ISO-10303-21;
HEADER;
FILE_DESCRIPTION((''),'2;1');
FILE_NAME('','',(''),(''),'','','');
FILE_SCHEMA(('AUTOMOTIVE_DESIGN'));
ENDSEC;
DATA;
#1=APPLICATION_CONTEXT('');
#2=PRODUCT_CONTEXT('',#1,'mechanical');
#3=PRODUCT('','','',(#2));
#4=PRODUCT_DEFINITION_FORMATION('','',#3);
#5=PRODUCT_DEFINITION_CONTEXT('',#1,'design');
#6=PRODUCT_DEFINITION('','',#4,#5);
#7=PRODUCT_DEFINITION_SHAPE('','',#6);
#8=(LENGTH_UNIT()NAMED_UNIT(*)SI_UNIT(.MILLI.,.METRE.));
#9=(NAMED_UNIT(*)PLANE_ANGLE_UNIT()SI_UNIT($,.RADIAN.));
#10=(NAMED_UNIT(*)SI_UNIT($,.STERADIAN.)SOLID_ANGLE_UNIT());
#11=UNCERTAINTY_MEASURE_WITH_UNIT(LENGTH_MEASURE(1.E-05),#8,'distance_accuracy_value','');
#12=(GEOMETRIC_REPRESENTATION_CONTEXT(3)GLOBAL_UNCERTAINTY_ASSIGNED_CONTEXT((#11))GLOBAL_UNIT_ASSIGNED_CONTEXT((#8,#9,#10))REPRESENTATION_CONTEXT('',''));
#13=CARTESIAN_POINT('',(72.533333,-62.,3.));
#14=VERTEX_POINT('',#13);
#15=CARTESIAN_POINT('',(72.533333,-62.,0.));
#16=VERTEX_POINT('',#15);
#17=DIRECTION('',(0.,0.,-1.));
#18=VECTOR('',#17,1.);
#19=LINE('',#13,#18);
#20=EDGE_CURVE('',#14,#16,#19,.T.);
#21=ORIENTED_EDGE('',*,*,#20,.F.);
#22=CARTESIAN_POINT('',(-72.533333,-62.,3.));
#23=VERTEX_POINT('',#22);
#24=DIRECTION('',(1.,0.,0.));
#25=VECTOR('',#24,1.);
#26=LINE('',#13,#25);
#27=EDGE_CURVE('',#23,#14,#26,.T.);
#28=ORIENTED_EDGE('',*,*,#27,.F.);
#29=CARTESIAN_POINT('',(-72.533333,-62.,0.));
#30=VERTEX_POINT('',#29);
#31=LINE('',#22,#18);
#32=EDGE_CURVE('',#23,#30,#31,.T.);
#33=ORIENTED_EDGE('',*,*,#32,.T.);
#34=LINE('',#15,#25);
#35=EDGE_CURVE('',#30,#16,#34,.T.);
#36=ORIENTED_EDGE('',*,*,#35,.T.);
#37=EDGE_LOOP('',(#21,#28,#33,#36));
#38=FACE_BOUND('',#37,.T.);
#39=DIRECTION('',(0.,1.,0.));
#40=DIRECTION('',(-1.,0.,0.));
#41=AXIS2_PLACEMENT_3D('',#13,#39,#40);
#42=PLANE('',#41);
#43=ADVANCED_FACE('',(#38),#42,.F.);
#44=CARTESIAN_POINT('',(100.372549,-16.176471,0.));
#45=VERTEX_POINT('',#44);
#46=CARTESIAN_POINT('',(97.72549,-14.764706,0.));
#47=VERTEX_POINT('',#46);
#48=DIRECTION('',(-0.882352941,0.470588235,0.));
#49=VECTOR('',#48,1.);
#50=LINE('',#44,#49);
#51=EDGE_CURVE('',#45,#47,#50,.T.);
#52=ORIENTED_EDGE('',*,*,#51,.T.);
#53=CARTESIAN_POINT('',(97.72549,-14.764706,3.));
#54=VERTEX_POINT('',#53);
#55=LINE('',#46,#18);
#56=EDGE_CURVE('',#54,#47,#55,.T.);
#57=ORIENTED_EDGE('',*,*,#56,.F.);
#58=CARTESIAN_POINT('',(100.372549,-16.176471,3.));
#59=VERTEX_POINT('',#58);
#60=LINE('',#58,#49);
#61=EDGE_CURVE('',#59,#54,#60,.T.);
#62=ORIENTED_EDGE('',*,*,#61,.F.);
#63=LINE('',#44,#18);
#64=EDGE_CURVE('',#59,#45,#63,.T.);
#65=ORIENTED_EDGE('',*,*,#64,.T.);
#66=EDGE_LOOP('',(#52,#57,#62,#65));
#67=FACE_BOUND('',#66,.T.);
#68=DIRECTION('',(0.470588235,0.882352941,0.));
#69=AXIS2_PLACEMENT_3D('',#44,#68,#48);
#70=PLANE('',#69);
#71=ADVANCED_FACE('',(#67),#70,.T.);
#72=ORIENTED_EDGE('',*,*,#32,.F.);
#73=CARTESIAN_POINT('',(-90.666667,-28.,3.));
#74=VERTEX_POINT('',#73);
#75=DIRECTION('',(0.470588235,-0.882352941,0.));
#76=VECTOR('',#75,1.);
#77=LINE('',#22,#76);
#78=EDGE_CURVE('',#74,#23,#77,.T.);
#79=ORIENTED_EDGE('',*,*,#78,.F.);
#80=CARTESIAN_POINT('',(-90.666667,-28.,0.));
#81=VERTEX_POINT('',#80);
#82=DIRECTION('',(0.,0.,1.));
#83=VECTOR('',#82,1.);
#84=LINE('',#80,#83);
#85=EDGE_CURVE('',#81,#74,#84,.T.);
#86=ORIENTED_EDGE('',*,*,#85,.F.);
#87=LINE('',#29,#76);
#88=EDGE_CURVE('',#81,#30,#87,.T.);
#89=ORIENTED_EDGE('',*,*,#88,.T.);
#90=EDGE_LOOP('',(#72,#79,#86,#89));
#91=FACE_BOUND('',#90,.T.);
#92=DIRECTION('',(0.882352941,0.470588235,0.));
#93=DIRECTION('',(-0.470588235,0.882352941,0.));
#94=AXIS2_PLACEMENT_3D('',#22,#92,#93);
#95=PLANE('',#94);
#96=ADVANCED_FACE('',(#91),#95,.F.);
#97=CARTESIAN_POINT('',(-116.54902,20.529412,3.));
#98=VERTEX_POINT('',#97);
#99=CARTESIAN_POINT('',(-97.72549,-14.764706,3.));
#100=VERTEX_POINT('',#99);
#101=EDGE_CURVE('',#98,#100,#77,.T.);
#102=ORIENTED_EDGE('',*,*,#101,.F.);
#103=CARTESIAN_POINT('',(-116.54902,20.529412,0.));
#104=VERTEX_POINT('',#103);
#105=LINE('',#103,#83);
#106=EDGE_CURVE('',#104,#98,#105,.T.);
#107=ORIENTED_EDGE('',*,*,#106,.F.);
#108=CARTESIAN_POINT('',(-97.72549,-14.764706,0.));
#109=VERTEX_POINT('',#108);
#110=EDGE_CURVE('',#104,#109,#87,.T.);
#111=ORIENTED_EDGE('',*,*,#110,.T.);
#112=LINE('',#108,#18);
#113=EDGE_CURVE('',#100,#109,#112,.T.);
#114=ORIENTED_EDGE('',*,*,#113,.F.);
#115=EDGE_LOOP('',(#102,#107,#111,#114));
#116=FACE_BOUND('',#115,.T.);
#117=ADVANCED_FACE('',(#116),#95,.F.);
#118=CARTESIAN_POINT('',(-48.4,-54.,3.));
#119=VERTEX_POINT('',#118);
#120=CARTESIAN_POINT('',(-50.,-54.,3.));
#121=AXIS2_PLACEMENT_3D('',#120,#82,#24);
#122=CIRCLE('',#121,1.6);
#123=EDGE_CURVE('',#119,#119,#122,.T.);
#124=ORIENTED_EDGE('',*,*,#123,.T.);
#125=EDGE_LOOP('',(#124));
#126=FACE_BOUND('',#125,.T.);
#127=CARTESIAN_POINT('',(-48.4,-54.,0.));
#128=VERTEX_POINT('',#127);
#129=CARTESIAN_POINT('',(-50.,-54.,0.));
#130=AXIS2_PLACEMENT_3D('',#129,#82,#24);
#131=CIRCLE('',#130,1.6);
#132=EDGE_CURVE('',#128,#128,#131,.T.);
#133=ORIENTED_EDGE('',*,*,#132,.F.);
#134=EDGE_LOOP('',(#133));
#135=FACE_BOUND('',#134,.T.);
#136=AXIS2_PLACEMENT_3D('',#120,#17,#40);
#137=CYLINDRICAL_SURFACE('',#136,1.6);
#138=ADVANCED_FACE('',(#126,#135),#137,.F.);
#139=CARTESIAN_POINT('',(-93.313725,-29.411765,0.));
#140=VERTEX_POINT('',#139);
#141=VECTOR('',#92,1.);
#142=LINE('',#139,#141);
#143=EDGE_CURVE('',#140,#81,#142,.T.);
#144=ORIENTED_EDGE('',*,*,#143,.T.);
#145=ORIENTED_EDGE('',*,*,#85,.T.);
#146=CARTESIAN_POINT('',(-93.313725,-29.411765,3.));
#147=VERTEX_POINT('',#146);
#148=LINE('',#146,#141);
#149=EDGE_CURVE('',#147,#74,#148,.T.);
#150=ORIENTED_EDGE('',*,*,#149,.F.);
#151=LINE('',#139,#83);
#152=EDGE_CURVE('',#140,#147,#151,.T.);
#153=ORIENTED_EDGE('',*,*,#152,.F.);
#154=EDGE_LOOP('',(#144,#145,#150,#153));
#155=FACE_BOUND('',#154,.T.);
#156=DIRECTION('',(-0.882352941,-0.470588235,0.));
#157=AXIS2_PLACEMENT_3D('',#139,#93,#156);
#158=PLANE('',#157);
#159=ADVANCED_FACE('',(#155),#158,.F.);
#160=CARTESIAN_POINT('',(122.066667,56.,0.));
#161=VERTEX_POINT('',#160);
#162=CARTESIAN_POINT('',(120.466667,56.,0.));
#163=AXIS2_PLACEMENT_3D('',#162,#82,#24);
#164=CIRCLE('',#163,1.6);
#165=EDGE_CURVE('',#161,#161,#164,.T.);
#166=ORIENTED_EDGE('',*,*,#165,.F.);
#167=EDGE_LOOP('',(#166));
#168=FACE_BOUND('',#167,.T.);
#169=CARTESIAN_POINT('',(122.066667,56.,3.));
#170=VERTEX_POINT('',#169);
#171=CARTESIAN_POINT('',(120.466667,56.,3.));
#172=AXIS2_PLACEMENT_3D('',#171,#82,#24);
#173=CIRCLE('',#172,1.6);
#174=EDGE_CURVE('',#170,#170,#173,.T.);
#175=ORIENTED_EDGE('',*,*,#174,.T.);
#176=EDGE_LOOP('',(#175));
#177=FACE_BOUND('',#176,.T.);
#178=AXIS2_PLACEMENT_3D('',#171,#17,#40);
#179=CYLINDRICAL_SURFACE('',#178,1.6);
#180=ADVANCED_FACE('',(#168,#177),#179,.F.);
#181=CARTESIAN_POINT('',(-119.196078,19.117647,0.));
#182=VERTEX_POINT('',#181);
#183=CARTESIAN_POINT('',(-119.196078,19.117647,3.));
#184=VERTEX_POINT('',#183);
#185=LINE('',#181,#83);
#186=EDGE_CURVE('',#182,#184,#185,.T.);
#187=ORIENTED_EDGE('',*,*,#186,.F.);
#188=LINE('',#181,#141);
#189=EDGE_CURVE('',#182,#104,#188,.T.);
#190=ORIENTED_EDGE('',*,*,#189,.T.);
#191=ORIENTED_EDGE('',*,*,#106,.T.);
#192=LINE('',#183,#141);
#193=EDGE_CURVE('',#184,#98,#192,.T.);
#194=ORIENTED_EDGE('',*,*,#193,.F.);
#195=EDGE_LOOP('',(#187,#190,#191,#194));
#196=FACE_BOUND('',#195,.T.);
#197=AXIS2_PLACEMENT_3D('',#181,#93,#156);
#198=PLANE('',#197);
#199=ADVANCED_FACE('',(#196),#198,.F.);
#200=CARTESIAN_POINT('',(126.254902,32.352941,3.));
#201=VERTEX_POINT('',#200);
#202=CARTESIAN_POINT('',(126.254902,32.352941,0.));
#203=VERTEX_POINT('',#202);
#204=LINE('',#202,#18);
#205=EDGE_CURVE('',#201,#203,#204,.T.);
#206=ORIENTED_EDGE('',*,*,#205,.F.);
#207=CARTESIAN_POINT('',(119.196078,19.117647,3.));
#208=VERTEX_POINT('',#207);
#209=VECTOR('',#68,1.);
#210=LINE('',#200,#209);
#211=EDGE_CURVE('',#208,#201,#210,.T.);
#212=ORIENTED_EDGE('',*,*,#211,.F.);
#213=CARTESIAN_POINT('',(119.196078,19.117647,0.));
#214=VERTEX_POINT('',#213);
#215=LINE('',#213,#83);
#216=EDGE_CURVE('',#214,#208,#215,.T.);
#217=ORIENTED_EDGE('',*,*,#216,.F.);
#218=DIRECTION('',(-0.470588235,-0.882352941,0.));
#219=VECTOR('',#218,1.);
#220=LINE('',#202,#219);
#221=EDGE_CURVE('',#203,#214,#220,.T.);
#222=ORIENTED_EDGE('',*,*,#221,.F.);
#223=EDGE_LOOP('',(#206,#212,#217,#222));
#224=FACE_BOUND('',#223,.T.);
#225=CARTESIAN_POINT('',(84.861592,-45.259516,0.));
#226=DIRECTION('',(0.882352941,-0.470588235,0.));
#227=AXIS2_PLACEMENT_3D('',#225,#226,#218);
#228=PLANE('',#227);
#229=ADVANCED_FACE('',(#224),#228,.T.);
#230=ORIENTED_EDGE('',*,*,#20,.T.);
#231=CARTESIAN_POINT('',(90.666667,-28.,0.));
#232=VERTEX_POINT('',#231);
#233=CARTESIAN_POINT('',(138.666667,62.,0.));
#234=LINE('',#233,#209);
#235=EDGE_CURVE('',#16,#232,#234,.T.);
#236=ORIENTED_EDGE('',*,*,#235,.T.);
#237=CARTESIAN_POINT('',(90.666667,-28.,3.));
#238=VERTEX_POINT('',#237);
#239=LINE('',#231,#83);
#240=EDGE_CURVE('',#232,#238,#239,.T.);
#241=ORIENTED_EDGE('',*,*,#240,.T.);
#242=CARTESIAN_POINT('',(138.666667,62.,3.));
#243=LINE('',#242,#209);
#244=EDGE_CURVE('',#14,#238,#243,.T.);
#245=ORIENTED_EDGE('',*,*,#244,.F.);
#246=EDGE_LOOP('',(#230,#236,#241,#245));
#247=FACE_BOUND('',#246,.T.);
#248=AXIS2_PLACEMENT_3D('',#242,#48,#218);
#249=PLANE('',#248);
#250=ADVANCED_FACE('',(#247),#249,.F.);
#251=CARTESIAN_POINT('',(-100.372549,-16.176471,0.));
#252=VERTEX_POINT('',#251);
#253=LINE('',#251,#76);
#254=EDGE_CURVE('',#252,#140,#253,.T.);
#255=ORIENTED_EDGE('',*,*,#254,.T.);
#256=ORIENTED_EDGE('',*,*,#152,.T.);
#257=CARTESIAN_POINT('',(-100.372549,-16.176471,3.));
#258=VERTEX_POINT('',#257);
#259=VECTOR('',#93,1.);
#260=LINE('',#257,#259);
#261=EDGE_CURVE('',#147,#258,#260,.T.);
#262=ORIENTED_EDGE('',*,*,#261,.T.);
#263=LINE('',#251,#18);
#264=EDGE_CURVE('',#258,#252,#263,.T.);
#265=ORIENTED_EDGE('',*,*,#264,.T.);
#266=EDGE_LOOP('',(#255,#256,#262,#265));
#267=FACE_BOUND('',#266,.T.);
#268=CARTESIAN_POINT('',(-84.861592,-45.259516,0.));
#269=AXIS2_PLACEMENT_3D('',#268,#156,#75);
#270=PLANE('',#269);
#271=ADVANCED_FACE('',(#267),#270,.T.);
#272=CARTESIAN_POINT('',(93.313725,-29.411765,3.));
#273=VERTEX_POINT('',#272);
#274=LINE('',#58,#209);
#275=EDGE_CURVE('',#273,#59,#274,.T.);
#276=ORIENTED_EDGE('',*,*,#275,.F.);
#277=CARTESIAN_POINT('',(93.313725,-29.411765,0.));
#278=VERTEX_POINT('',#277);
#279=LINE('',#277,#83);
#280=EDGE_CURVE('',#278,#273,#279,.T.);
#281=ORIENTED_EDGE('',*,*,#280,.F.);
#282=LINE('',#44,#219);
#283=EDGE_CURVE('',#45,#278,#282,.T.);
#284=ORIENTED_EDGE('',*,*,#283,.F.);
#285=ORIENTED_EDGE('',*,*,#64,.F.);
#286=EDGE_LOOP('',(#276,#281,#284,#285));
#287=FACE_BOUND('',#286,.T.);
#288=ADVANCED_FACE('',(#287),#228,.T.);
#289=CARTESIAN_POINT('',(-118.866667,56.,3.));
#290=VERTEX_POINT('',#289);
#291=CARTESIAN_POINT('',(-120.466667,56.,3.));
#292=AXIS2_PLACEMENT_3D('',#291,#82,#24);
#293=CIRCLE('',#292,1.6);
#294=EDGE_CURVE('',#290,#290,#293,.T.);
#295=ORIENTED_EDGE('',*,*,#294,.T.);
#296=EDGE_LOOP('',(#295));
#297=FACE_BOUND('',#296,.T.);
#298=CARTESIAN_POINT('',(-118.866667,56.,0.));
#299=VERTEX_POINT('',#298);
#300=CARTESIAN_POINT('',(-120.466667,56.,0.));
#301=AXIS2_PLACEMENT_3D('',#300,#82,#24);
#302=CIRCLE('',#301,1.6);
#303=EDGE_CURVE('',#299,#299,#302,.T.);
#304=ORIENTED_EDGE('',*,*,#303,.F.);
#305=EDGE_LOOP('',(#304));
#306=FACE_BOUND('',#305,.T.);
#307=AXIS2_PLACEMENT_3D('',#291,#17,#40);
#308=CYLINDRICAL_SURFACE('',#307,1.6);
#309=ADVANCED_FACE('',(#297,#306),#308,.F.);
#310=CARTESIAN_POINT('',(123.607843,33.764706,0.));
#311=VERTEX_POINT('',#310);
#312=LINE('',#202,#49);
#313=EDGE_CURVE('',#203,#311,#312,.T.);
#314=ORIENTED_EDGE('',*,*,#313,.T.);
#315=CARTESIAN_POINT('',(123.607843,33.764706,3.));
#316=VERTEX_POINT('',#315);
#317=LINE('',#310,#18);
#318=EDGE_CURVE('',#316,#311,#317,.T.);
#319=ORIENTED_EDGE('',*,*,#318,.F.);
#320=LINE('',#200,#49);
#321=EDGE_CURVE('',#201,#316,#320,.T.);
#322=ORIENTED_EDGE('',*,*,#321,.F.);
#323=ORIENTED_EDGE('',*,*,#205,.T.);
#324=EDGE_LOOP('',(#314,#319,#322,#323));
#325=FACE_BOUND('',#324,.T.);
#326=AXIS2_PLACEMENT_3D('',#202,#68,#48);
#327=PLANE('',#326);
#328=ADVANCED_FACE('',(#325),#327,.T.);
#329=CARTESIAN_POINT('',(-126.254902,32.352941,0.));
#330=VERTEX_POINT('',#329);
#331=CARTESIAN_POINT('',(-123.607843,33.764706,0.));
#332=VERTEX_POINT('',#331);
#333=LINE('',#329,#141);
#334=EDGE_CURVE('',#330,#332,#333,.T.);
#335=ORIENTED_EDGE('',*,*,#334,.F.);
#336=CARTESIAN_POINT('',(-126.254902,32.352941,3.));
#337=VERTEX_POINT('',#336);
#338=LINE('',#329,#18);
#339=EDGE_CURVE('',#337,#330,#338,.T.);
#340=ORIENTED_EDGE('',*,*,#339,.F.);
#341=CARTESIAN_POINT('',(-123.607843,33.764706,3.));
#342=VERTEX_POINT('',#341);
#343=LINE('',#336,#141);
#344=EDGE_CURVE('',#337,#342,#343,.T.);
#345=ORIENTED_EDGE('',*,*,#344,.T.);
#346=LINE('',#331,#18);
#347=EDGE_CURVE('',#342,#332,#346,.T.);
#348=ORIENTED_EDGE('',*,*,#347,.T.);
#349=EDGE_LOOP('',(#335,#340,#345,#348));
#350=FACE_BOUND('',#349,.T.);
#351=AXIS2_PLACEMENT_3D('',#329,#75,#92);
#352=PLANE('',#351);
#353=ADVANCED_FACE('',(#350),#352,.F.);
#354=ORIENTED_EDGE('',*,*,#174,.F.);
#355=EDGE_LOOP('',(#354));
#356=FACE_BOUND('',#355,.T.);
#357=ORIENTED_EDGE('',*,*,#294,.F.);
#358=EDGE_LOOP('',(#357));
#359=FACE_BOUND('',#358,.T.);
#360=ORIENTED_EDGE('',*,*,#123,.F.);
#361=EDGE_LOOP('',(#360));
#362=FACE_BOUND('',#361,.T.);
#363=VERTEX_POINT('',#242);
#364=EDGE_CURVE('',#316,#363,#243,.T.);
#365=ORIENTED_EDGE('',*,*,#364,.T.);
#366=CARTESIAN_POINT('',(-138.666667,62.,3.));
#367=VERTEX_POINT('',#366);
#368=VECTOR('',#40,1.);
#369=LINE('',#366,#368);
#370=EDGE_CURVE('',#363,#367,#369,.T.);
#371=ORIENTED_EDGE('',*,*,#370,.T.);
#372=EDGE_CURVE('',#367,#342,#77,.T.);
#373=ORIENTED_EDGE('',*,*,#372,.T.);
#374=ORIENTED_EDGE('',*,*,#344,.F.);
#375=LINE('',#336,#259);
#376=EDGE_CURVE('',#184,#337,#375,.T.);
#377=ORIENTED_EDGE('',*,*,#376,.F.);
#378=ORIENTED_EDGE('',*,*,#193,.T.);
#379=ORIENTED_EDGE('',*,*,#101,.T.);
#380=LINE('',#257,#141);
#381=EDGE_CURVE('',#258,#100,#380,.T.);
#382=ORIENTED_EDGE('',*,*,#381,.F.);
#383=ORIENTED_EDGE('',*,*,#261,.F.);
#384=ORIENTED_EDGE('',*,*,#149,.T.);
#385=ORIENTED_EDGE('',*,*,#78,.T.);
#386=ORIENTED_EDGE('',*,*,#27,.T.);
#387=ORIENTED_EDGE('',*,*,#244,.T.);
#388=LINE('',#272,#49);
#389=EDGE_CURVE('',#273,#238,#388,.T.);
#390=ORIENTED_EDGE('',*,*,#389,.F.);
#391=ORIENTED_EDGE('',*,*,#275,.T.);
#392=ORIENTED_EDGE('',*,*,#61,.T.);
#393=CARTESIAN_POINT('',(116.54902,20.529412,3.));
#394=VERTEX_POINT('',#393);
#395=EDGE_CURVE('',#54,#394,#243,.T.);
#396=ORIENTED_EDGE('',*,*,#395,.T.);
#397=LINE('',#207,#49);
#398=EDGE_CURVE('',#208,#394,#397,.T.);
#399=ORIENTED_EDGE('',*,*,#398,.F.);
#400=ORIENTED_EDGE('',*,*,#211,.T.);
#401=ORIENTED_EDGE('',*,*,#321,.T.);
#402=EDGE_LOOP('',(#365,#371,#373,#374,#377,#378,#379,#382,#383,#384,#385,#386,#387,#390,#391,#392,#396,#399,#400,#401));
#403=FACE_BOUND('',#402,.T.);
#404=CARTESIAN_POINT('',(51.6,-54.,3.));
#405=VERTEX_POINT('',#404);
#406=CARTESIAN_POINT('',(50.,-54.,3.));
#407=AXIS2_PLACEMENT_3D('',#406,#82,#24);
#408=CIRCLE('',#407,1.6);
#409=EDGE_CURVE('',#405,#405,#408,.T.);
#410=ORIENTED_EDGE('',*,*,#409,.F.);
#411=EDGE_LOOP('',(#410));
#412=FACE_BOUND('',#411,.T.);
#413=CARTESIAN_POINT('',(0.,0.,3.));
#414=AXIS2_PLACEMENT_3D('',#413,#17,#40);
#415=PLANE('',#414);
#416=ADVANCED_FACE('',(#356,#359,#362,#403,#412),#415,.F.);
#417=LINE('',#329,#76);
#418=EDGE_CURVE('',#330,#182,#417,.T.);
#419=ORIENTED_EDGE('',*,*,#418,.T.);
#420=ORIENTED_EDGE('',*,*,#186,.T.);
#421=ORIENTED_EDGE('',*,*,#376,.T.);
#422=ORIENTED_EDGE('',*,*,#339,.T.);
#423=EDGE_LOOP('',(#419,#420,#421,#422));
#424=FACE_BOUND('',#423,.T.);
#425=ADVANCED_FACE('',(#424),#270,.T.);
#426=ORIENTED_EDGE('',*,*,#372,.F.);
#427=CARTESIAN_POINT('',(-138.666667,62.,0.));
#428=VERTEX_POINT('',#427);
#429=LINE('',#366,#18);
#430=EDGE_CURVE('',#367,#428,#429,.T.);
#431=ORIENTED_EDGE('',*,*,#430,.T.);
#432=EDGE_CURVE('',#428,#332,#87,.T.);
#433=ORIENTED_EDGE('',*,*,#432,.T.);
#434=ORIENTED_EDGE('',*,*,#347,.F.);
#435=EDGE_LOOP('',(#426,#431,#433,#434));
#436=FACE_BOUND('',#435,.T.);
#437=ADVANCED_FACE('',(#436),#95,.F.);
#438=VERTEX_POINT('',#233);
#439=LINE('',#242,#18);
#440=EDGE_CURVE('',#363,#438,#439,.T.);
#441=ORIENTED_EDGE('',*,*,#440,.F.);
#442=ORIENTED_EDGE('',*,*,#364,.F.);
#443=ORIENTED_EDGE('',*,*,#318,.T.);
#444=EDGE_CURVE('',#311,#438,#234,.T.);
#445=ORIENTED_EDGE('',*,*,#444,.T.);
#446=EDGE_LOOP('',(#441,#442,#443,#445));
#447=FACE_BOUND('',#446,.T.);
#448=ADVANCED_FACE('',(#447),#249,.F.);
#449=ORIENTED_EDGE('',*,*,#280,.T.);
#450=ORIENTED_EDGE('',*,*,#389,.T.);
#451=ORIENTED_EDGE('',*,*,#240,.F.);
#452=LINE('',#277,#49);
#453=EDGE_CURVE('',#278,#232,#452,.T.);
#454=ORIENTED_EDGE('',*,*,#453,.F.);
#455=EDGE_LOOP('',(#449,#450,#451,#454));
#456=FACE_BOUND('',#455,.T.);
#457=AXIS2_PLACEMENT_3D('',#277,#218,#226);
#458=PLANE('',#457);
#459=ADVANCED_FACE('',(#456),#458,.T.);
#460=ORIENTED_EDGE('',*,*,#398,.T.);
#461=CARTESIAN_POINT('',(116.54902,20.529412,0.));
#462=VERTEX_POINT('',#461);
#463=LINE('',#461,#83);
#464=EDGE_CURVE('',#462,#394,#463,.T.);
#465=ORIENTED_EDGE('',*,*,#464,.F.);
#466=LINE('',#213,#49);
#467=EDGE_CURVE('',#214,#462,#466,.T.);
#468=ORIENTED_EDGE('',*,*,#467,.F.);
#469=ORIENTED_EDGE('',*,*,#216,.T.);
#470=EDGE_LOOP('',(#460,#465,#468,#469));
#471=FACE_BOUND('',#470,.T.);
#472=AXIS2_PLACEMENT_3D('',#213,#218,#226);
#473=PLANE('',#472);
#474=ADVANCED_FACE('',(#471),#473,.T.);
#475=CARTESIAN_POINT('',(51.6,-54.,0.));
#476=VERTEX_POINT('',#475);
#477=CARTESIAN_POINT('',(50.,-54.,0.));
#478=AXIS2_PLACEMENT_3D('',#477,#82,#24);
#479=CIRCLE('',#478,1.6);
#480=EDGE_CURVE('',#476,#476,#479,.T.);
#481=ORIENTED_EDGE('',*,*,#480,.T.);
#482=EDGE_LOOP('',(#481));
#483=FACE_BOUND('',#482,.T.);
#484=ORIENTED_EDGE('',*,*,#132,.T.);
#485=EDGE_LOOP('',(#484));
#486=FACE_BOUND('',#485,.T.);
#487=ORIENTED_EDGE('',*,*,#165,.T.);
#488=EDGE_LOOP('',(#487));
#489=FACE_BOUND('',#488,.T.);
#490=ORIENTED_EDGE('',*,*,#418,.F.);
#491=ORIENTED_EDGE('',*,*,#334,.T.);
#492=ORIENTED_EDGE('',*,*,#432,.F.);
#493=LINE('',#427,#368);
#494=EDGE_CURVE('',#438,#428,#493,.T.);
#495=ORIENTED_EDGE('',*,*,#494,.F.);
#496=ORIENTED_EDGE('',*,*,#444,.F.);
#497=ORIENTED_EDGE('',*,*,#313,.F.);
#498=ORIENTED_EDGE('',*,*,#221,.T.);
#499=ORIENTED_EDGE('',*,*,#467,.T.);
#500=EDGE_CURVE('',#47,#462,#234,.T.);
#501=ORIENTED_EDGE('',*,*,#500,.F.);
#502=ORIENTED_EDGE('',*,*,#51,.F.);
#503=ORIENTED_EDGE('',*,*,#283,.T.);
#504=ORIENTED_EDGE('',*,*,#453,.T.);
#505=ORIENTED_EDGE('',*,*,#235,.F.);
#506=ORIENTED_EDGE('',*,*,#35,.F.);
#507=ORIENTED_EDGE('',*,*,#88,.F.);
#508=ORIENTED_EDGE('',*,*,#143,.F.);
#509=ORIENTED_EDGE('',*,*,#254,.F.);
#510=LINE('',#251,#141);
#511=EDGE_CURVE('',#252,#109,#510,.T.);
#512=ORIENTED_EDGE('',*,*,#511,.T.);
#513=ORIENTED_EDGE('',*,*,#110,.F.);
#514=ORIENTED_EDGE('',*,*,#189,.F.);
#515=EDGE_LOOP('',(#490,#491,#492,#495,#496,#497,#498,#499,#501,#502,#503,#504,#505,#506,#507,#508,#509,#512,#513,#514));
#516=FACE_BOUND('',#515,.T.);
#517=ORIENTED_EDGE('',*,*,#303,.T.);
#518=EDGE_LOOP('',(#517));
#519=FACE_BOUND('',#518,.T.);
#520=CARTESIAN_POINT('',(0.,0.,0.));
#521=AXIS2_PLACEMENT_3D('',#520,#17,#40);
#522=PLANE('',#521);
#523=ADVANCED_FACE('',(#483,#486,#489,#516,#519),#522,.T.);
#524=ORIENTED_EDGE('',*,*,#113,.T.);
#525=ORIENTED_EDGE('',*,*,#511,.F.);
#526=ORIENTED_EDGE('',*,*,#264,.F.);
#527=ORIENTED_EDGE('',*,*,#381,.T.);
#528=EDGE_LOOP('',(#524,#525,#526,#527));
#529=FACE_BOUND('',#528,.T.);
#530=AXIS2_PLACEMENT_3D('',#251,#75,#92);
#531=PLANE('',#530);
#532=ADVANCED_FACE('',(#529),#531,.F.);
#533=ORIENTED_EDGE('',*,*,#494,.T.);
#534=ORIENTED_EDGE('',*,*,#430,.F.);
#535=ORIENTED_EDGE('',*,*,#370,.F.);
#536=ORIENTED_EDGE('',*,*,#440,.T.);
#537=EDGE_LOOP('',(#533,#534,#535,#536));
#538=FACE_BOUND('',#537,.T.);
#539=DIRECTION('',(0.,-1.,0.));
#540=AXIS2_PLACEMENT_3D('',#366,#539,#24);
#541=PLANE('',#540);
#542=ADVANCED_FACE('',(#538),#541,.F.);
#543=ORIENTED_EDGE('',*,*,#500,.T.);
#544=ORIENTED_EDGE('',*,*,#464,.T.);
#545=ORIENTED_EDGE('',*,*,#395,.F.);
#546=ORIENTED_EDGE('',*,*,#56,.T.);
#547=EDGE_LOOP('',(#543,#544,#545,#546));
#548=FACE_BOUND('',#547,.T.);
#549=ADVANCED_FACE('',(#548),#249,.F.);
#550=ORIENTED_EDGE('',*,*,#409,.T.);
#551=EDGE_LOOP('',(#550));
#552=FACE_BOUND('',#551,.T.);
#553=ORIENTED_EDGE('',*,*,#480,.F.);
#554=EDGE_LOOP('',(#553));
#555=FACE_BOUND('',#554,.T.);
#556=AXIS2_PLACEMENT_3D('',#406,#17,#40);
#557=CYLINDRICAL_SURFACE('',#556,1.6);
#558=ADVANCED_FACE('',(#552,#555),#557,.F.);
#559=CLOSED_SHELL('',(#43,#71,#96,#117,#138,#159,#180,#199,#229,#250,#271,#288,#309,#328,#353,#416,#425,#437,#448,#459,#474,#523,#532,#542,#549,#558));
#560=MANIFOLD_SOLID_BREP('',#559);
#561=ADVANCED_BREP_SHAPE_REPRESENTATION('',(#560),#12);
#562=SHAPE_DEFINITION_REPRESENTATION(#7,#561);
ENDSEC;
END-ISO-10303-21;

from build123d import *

# Parameters (mm, degrees)
SKETCH_1_R      = 1.6
EXTRUDE_1_DEPTH = 3
SKETCH_2_W      = 3
SKETCH_2_H      = 15
EXTRUDE_2_DEPTH = 3


with BuildPart() as part:
    # 草图1 → 凸台-拉伸1 (new body)
    with BuildSketch(Plane.XY):
        Polygon((-138.666666667, 62), (138.666666667, 62), (72.533333333, -62), (-72.533333333, -62), align=None)
        with Locations((-50, -54)):
            Circle(SKETCH_1_R, mode=Mode.SUBTRACT)
        with Locations((50, -54)):
            Circle(SKETCH_1_R, mode=Mode.SUBTRACT)
        with Locations((-120.466666667, 56)):
            Circle(SKETCH_1_R, mode=Mode.SUBTRACT)
        with Locations((120.466666667, 56)):
            Circle(SKETCH_1_R, mode=Mode.SUBTRACT)
    extrude(amount=EXTRUDE_1_DEPTH)

    # 草图2 → 凸台-拉伸2 (add)
    with BuildSketch(Plane(origin=(-82.214532872, -43.847750865, 0), x_dir=(0, 0, 1), z_dir=(-0.8823529411764701, -0.4705882352941186, 0))):
        with Locations((1.5, 80.460784314)):
            Rectangle(SKETCH_2_W, SKETCH_2_H)
        with Locations((1.5, 25.460784314)):
            Rectangle(SKETCH_2_W, SKETCH_2_H)
    extrude_2 = extrude(amount=EXTRUDE_2_DEPTH)

    # 镜向1: 凸台-拉伸2 across plane
    add(extrude_2.mirror(Plane(origin=(0, 0, 0), x_dir=(0, 0, 1), z_dir=(1, 0, 0))))


solid = part.part
